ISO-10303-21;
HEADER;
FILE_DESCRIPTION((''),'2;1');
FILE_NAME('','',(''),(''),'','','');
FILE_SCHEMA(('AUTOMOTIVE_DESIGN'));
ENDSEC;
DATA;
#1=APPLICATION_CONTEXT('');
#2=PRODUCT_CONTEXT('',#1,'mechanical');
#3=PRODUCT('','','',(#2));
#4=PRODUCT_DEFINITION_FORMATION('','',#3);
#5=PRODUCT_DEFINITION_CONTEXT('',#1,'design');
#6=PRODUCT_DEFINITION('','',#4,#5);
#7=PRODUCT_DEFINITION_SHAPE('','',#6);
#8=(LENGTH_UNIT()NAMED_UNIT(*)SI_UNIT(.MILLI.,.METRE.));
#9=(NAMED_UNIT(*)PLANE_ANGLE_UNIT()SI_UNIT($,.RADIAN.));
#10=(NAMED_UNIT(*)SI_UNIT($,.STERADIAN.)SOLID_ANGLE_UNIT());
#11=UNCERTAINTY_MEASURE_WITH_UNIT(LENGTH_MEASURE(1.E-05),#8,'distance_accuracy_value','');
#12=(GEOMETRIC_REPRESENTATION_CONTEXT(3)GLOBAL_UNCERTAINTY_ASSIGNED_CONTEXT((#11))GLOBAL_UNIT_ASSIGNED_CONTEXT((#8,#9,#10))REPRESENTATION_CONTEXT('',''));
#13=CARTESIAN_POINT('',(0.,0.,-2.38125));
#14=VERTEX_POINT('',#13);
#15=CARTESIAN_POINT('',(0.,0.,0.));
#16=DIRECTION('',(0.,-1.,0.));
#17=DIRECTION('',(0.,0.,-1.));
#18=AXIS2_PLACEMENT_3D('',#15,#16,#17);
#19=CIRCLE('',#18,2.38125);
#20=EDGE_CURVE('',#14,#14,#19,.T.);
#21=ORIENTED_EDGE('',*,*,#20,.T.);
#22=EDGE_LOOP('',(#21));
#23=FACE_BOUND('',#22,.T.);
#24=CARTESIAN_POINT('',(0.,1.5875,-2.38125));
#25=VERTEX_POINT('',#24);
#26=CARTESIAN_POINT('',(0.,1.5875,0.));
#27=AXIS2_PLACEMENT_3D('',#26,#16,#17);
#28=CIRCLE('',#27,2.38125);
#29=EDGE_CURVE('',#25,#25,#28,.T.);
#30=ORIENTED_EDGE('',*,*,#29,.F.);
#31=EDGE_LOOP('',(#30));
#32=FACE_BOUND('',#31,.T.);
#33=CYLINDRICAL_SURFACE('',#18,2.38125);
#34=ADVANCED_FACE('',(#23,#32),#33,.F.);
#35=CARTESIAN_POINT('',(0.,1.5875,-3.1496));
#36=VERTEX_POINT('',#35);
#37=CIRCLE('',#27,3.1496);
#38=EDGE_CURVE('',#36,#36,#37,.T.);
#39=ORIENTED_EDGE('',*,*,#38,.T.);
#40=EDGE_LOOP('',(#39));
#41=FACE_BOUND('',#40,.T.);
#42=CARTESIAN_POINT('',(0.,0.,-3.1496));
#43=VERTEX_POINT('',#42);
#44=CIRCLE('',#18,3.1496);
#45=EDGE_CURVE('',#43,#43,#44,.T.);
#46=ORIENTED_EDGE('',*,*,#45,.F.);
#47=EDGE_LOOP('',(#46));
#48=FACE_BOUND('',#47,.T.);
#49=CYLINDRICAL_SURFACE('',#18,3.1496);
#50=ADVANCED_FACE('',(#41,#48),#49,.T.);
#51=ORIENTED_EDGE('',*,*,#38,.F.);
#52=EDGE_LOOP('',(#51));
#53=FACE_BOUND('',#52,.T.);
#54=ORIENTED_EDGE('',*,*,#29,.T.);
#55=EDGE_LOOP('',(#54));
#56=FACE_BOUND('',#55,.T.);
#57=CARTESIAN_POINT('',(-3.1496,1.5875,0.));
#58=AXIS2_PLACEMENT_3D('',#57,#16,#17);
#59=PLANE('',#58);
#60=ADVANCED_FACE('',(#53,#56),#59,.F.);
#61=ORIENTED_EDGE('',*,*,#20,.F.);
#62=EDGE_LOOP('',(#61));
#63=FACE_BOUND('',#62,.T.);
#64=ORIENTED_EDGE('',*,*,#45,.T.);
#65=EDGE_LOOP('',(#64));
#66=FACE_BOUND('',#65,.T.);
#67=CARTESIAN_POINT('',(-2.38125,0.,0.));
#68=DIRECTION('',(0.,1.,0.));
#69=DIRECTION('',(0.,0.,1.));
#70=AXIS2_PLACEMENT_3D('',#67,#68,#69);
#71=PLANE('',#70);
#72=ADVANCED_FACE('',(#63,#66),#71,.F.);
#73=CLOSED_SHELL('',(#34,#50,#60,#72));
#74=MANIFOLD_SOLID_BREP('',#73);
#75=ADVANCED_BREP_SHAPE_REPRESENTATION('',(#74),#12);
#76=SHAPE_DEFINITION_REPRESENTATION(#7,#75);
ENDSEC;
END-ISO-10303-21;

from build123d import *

# Parameters (mm, degrees)
SKETCH1_W = 0.76835
SKETCH1_H = 1.5875


with BuildPart() as part:
    # Sketch1 → Revolve1 (revolve)
    with BuildSketch(Plane.XY, mode=Mode.PRIVATE) as revolve1_sk:
        with Locations((-2.765425, 0.79375)):
            Rectangle(SKETCH1_W, SKETCH1_H)
    revolve(revolve1_sk.sketch.rotate(Axis((0, 0, 0), (0, 1, 0)), 270), axis=Axis((0, 0, 0), (0, 1, 0)))


solid = part.part
